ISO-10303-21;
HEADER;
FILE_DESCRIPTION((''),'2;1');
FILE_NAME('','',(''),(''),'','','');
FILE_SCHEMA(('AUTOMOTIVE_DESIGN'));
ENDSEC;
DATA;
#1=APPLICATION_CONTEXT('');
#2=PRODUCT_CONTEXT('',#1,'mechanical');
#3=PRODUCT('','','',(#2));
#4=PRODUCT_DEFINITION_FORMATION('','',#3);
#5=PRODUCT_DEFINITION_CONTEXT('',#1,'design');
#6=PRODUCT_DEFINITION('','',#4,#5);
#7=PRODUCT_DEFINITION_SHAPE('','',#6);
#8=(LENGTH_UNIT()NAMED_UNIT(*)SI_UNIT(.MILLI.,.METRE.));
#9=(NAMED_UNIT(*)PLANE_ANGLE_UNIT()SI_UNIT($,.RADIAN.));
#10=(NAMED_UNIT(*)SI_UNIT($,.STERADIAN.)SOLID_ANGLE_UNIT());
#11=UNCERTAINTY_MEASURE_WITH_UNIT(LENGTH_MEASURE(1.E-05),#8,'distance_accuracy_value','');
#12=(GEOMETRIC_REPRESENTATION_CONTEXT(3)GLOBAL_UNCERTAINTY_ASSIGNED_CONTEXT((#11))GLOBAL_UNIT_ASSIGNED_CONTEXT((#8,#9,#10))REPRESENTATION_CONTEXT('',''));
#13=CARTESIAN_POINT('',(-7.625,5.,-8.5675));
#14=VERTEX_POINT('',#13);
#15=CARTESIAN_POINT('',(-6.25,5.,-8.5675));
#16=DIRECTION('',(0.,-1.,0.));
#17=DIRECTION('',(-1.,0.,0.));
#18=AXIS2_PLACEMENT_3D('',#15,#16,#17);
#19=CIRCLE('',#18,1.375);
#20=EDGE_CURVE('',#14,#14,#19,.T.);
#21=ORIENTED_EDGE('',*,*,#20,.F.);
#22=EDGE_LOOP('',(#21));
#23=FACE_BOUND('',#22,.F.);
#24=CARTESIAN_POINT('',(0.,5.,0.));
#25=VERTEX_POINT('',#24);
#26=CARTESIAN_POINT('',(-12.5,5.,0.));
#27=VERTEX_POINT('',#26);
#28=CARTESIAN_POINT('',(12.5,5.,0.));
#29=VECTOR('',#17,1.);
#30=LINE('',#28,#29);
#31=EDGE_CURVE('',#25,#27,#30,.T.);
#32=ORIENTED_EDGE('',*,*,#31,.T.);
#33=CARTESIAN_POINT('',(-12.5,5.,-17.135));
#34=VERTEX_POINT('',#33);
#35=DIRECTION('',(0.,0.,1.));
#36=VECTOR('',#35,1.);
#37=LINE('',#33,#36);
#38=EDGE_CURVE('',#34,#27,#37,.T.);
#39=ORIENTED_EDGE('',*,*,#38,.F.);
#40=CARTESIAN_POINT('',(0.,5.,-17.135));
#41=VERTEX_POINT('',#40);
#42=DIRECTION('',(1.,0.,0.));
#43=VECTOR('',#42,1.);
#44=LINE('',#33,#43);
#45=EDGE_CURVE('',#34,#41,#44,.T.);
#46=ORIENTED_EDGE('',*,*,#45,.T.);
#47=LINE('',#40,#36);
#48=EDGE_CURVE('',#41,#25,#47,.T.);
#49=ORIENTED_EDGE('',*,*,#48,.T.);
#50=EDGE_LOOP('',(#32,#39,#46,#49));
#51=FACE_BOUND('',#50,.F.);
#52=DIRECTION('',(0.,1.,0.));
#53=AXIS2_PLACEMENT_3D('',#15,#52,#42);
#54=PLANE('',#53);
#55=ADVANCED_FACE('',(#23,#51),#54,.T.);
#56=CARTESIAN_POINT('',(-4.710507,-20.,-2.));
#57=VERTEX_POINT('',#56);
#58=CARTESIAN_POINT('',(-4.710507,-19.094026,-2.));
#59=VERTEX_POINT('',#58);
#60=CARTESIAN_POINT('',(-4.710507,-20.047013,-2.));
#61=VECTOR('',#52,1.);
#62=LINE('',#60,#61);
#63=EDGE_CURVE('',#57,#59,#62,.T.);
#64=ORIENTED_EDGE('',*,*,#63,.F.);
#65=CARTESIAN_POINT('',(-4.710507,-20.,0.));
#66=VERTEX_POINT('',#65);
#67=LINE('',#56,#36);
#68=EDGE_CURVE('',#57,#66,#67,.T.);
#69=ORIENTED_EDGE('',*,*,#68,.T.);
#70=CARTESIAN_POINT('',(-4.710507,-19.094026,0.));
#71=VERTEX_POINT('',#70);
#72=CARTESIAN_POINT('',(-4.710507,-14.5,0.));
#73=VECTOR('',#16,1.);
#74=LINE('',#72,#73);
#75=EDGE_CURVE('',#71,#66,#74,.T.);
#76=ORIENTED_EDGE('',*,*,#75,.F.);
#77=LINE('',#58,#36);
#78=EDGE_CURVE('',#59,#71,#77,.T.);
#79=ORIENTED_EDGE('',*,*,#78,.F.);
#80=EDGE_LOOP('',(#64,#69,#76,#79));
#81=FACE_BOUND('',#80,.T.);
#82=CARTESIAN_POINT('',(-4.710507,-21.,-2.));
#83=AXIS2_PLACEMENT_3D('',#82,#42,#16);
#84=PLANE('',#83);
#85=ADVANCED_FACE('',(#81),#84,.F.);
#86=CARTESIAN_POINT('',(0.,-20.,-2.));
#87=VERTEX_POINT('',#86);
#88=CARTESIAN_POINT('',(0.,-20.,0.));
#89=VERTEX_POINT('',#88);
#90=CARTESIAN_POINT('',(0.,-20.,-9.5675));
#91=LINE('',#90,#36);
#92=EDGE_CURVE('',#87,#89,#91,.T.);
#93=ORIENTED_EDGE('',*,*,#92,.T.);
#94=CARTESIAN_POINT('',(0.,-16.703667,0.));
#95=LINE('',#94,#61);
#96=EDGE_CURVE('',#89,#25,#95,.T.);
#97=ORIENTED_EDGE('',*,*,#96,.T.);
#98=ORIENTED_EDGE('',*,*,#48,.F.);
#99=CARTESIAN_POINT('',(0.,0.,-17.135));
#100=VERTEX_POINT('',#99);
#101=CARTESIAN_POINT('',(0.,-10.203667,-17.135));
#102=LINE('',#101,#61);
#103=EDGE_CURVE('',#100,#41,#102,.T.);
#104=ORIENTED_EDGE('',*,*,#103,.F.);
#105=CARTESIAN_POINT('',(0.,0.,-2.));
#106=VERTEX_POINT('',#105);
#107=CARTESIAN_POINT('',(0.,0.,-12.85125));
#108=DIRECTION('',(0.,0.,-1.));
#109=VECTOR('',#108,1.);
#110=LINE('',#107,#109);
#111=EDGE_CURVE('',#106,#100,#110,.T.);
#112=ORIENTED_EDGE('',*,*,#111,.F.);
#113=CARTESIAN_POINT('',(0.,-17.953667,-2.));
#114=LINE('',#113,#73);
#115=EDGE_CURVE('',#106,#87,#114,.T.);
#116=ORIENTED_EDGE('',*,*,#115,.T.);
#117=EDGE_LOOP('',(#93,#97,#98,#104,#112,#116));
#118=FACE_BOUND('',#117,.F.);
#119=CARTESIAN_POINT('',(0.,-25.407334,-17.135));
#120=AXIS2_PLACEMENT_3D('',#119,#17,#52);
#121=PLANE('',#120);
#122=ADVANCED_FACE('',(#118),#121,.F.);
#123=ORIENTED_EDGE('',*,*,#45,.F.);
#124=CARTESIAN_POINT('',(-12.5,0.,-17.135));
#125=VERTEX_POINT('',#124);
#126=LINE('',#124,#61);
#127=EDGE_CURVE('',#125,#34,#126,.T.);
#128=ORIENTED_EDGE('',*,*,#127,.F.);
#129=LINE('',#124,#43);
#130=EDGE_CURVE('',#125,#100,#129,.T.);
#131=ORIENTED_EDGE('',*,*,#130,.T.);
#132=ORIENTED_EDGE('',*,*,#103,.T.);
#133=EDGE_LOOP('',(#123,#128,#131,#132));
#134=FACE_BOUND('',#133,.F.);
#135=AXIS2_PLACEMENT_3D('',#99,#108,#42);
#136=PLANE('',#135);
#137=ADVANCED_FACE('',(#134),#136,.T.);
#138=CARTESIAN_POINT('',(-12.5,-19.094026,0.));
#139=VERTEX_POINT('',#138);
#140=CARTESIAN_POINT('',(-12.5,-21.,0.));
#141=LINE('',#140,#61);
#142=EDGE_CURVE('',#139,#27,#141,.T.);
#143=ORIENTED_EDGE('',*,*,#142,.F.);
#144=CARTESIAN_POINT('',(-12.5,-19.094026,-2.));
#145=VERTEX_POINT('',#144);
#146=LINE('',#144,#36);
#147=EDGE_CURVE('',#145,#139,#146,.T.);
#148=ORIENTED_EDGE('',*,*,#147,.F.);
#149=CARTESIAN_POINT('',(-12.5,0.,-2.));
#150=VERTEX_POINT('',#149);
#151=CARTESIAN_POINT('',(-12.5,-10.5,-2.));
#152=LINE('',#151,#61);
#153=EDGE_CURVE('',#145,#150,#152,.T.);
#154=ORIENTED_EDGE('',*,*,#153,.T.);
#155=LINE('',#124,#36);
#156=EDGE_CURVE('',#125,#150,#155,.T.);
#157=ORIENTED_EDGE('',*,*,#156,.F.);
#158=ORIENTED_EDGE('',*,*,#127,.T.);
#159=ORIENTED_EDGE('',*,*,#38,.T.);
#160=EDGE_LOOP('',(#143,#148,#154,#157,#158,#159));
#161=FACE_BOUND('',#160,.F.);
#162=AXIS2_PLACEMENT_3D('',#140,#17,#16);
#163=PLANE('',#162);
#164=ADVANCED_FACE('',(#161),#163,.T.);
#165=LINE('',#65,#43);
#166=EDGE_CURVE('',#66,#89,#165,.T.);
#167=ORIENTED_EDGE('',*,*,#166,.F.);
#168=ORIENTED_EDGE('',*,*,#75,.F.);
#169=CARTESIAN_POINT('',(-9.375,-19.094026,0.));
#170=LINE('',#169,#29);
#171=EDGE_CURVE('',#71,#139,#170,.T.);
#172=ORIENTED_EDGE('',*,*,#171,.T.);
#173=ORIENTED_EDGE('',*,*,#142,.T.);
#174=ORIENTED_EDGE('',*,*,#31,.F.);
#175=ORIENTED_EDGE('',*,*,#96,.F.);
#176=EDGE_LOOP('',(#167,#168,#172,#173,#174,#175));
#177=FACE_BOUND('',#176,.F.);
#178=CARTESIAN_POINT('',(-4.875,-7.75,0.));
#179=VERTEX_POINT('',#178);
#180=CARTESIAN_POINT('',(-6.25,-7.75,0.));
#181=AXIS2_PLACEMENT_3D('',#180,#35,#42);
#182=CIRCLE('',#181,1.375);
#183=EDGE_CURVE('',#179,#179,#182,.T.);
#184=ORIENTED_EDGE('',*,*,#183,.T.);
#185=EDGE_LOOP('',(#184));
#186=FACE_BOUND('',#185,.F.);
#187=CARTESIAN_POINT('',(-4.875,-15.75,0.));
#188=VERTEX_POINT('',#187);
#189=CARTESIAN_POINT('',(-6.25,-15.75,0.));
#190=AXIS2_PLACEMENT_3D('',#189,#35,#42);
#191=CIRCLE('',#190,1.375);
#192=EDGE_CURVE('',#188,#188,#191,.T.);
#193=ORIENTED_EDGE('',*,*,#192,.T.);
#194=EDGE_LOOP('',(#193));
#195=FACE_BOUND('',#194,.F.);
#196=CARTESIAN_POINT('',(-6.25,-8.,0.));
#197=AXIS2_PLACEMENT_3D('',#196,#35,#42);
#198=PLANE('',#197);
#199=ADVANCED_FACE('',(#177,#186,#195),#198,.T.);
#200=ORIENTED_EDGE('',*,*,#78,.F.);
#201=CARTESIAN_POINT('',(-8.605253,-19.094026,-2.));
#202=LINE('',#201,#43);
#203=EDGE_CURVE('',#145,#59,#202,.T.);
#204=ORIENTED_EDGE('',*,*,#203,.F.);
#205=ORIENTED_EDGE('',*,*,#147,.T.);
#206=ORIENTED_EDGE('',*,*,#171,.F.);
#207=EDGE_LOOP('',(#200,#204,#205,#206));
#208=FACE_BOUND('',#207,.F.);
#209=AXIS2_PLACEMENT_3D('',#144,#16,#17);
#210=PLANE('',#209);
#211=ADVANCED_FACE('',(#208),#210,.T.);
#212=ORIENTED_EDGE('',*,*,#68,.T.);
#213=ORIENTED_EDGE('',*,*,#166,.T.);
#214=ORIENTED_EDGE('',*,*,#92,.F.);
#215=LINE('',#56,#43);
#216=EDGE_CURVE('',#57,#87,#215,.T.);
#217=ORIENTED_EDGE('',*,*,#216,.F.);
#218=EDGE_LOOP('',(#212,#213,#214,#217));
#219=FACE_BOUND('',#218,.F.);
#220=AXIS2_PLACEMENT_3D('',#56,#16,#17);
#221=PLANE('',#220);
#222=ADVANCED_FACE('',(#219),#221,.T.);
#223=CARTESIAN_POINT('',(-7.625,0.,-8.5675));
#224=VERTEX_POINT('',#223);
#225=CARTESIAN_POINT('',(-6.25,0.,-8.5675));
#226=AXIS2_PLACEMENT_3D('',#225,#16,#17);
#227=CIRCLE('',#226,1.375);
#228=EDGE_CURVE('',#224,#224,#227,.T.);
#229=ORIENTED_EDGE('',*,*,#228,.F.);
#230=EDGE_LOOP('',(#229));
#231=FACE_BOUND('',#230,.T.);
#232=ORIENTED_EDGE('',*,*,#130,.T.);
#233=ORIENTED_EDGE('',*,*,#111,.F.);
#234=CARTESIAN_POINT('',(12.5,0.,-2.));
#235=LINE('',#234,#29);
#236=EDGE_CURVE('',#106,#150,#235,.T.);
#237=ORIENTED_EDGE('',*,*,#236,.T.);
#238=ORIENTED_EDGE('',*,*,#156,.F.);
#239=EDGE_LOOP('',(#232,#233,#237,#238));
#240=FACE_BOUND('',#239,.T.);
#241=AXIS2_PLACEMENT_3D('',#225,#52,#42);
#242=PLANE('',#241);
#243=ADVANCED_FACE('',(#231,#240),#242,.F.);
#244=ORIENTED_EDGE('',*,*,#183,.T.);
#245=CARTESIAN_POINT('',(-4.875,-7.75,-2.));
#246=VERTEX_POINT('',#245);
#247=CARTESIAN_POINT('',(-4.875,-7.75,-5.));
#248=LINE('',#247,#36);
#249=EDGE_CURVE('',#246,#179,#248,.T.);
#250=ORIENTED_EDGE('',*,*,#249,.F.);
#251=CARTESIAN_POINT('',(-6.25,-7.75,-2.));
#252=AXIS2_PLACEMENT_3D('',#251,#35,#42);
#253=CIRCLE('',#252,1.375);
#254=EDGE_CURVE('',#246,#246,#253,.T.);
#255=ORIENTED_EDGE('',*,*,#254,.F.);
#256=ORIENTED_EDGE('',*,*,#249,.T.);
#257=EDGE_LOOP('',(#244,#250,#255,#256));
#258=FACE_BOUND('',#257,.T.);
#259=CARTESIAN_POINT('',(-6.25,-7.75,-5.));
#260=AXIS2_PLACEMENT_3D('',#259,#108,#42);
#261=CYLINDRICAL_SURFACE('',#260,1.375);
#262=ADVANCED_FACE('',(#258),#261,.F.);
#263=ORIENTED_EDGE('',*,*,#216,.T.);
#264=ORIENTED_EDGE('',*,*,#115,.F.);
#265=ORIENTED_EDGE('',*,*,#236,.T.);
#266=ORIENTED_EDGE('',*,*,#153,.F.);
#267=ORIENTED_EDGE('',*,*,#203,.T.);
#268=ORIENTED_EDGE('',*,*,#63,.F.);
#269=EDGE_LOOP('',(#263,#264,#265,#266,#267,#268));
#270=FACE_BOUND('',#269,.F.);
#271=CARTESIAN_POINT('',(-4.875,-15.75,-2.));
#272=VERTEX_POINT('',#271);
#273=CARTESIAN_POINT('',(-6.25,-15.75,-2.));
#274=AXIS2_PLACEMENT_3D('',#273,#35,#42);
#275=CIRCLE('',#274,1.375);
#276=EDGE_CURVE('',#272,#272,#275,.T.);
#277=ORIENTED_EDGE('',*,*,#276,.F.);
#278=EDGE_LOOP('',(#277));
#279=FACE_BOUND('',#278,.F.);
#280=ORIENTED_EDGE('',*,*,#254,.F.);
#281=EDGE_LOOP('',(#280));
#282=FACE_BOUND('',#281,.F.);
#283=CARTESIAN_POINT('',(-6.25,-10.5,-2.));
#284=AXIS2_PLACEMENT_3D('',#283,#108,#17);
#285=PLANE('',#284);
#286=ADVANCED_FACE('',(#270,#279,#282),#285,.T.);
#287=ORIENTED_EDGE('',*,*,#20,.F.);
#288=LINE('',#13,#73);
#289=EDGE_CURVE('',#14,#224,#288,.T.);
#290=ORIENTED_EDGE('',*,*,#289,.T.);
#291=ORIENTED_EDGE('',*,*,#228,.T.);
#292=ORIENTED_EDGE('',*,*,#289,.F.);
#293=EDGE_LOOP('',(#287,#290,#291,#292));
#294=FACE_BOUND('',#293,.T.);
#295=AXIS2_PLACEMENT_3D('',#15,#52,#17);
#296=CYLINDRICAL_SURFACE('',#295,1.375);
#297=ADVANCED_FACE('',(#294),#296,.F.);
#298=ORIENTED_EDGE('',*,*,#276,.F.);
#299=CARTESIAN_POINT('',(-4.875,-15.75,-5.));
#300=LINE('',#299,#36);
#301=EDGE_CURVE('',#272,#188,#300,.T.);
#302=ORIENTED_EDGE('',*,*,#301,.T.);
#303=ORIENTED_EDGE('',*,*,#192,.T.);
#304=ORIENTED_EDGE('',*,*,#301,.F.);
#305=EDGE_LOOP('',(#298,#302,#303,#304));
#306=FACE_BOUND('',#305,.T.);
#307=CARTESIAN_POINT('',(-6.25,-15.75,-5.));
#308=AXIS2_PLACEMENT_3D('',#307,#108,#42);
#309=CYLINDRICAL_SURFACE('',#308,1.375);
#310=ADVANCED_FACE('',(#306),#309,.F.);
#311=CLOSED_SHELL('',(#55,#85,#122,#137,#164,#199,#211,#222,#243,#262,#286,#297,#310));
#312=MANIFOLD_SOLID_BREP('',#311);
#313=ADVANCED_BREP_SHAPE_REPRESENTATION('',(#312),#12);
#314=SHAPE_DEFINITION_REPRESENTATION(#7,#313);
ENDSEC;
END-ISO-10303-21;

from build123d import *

# Parameters (mm, degrees)
SKETCH1_W                  = 12.5
SKETCH1_H                  = 17.135
TABBASE_DEPTH              = 5
SKETCH2_R                  = 1.375
CHASSISMOUNTINGHOLE_DEPTH  = 5
SKETCH3_W                  = 12.5
SKETCH3_H                  = 26
FRONTTAB_DEPTH             = 5
FRONTMOUNTINGHOLESSKETCH_R = 1.375
FRONTMOUNTINGHOLES_DEPTH   = 5
SKETCH4_W                  = 12.5
SKETCH4_H                  = 21
SKETCH4_R                  = 1.375
CUT_EXTRUDE1_DEPTH         = 3
SKETCH6_W                  = 7.78949329
SKETCH6_H                  = 1.90597399
CUT_EXTRUDE2_DEPTH         = 10
SKETCH7_W                  = 4.71050671
SKETCH7_H                  = 1
CUT_EXTRUDE3_DEPTH         = 10
SKETCH8_W                  = 19.600495403
SKETCH8_H                  = 30.407334014
CUT_EXTRUDE4_DEPTH         = 1
CUT_EXTRUDE4_DEPTH_BACK    = 18.135


with BuildPart() as part:
    # Sketch1 → tabBase (new body)
    with BuildSketch(Plane(origin=(0, 0, 0), x_dir=(1, 0, 0), z_dir=(0, 1, 0))):
        with Locations((6.25, 8.5675)):
            Rectangle(SKETCH1_W, SKETCH1_H)
    extrude(amount=TABBASE_DEPTH)

    # Sketch2 → chassisMountingHole (cut)
    with BuildSketch(Plane(origin=(0, 5, 0), x_dir=(1, 0, 0), z_dir=(0, 1, 0))):
        with Locations((6.25, 8.5675)):
            Circle(SKETCH2_R)
    extrude(amount=-CHASSISMOUNTINGHOLE_DEPTH, mode=Mode.SUBTRACT)

    # Sketch3 → frontTab (add)
    with BuildSketch(Plane.XY):
        with Locations((6.25, -8)):
            Rectangle(SKETCH3_W, SKETCH3_H)
    extrude(amount=-FRONTTAB_DEPTH)

    # frontMountingHolesSketch → frontMountingHoles (cut)
    with BuildSketch(Plane(origin=(0, 0, -5), x_dir=(-1, 0, 0), z_dir=(0, 0, -1))):
        with Locations((-6.25, -15.75)):
            Circle(FRONTMOUNTINGHOLESSKETCH_R)
        with Locations((-6.25, -7.75)):
            Circle(FRONTMOUNTINGHOLESSKETCH_R)
    extrude(amount=-FRONTMOUNTINGHOLES_DEPTH, mode=Mode.SUBTRACT)

    # Sketch4 → Cut-Extrude1 (cut)
    with BuildSketch(Plane(origin=(0, 0, -5), x_dir=(-1, 0, 0), z_dir=(0, 0, -1))):
        with Locations((-6.25, -10.5)):
            Rectangle(SKETCH4_W, SKETCH4_H)
        with Locations((-6.25, -15.75)):
            Circle(SKETCH4_R, mode=Mode.SUBTRACT)
        with Locations((-6.25, -7.75)):
            Circle(SKETCH4_R, mode=Mode.SUBTRACT)
    extrude(amount=-CUT_EXTRUDE1_DEPTH, mode=Mode.SUBTRACT)

    # Sketch6 → Cut-Extrude2 (cut)
    with BuildSketch(Plane(origin=(0, 0, -2), x_dir=(-1, 0, 0), z_dir=(0, 0, -1))):
        with Locations((-8.605253355, -20.047013005)):
            Rectangle(SKETCH6_W, SKETCH6_H)
    extrude(amount=-CUT_EXTRUDE2_DEPTH, mode=Mode.SUBTRACT)

    # Sketch7 → Cut-Extrude3 (cut)
    with BuildSketch(Plane(origin=(0, 0, -2), x_dir=(-1, 0, 0), z_dir=(0, 0, -1))):
        with Locations((-2.355253355, -20.5)):
            Rectangle(SKETCH7_W, SKETCH7_H)
    extrude(amount=-CUT_EXTRUDE3_DEPTH, mode=Mode.SUBTRACT)

    # Mirror1: part across plane


with BuildPart() as part_1:
    add(part.part)
    add(part.part.mirror(Plane(origin=(0, 5, 0), x_dir=(0, 0, 1), z_dir=(1, 0, 0))))

    # Sketch8 → Cut-Extrude4 (cut, two sides)
    with BuildSketch(Plane(origin=(0, 0, -17.135), x_dir=(-1, 0, 0), z_dir=(0, 0, -1))) as cut_extrude4_sk:
        with Locations((-9.800247702, -10.203667007)):
            Rectangle(SKETCH8_W, SKETCH8_H)
    extrude(amount=CUT_EXTRUDE4_DEPTH, mode=Mode.SUBTRACT)
    extrude(cut_extrude4_sk.sketch, amount=-CUT_EXTRUDE4_DEPTH_BACK, mode=Mode.SUBTRACT)


solid = part_1.part
